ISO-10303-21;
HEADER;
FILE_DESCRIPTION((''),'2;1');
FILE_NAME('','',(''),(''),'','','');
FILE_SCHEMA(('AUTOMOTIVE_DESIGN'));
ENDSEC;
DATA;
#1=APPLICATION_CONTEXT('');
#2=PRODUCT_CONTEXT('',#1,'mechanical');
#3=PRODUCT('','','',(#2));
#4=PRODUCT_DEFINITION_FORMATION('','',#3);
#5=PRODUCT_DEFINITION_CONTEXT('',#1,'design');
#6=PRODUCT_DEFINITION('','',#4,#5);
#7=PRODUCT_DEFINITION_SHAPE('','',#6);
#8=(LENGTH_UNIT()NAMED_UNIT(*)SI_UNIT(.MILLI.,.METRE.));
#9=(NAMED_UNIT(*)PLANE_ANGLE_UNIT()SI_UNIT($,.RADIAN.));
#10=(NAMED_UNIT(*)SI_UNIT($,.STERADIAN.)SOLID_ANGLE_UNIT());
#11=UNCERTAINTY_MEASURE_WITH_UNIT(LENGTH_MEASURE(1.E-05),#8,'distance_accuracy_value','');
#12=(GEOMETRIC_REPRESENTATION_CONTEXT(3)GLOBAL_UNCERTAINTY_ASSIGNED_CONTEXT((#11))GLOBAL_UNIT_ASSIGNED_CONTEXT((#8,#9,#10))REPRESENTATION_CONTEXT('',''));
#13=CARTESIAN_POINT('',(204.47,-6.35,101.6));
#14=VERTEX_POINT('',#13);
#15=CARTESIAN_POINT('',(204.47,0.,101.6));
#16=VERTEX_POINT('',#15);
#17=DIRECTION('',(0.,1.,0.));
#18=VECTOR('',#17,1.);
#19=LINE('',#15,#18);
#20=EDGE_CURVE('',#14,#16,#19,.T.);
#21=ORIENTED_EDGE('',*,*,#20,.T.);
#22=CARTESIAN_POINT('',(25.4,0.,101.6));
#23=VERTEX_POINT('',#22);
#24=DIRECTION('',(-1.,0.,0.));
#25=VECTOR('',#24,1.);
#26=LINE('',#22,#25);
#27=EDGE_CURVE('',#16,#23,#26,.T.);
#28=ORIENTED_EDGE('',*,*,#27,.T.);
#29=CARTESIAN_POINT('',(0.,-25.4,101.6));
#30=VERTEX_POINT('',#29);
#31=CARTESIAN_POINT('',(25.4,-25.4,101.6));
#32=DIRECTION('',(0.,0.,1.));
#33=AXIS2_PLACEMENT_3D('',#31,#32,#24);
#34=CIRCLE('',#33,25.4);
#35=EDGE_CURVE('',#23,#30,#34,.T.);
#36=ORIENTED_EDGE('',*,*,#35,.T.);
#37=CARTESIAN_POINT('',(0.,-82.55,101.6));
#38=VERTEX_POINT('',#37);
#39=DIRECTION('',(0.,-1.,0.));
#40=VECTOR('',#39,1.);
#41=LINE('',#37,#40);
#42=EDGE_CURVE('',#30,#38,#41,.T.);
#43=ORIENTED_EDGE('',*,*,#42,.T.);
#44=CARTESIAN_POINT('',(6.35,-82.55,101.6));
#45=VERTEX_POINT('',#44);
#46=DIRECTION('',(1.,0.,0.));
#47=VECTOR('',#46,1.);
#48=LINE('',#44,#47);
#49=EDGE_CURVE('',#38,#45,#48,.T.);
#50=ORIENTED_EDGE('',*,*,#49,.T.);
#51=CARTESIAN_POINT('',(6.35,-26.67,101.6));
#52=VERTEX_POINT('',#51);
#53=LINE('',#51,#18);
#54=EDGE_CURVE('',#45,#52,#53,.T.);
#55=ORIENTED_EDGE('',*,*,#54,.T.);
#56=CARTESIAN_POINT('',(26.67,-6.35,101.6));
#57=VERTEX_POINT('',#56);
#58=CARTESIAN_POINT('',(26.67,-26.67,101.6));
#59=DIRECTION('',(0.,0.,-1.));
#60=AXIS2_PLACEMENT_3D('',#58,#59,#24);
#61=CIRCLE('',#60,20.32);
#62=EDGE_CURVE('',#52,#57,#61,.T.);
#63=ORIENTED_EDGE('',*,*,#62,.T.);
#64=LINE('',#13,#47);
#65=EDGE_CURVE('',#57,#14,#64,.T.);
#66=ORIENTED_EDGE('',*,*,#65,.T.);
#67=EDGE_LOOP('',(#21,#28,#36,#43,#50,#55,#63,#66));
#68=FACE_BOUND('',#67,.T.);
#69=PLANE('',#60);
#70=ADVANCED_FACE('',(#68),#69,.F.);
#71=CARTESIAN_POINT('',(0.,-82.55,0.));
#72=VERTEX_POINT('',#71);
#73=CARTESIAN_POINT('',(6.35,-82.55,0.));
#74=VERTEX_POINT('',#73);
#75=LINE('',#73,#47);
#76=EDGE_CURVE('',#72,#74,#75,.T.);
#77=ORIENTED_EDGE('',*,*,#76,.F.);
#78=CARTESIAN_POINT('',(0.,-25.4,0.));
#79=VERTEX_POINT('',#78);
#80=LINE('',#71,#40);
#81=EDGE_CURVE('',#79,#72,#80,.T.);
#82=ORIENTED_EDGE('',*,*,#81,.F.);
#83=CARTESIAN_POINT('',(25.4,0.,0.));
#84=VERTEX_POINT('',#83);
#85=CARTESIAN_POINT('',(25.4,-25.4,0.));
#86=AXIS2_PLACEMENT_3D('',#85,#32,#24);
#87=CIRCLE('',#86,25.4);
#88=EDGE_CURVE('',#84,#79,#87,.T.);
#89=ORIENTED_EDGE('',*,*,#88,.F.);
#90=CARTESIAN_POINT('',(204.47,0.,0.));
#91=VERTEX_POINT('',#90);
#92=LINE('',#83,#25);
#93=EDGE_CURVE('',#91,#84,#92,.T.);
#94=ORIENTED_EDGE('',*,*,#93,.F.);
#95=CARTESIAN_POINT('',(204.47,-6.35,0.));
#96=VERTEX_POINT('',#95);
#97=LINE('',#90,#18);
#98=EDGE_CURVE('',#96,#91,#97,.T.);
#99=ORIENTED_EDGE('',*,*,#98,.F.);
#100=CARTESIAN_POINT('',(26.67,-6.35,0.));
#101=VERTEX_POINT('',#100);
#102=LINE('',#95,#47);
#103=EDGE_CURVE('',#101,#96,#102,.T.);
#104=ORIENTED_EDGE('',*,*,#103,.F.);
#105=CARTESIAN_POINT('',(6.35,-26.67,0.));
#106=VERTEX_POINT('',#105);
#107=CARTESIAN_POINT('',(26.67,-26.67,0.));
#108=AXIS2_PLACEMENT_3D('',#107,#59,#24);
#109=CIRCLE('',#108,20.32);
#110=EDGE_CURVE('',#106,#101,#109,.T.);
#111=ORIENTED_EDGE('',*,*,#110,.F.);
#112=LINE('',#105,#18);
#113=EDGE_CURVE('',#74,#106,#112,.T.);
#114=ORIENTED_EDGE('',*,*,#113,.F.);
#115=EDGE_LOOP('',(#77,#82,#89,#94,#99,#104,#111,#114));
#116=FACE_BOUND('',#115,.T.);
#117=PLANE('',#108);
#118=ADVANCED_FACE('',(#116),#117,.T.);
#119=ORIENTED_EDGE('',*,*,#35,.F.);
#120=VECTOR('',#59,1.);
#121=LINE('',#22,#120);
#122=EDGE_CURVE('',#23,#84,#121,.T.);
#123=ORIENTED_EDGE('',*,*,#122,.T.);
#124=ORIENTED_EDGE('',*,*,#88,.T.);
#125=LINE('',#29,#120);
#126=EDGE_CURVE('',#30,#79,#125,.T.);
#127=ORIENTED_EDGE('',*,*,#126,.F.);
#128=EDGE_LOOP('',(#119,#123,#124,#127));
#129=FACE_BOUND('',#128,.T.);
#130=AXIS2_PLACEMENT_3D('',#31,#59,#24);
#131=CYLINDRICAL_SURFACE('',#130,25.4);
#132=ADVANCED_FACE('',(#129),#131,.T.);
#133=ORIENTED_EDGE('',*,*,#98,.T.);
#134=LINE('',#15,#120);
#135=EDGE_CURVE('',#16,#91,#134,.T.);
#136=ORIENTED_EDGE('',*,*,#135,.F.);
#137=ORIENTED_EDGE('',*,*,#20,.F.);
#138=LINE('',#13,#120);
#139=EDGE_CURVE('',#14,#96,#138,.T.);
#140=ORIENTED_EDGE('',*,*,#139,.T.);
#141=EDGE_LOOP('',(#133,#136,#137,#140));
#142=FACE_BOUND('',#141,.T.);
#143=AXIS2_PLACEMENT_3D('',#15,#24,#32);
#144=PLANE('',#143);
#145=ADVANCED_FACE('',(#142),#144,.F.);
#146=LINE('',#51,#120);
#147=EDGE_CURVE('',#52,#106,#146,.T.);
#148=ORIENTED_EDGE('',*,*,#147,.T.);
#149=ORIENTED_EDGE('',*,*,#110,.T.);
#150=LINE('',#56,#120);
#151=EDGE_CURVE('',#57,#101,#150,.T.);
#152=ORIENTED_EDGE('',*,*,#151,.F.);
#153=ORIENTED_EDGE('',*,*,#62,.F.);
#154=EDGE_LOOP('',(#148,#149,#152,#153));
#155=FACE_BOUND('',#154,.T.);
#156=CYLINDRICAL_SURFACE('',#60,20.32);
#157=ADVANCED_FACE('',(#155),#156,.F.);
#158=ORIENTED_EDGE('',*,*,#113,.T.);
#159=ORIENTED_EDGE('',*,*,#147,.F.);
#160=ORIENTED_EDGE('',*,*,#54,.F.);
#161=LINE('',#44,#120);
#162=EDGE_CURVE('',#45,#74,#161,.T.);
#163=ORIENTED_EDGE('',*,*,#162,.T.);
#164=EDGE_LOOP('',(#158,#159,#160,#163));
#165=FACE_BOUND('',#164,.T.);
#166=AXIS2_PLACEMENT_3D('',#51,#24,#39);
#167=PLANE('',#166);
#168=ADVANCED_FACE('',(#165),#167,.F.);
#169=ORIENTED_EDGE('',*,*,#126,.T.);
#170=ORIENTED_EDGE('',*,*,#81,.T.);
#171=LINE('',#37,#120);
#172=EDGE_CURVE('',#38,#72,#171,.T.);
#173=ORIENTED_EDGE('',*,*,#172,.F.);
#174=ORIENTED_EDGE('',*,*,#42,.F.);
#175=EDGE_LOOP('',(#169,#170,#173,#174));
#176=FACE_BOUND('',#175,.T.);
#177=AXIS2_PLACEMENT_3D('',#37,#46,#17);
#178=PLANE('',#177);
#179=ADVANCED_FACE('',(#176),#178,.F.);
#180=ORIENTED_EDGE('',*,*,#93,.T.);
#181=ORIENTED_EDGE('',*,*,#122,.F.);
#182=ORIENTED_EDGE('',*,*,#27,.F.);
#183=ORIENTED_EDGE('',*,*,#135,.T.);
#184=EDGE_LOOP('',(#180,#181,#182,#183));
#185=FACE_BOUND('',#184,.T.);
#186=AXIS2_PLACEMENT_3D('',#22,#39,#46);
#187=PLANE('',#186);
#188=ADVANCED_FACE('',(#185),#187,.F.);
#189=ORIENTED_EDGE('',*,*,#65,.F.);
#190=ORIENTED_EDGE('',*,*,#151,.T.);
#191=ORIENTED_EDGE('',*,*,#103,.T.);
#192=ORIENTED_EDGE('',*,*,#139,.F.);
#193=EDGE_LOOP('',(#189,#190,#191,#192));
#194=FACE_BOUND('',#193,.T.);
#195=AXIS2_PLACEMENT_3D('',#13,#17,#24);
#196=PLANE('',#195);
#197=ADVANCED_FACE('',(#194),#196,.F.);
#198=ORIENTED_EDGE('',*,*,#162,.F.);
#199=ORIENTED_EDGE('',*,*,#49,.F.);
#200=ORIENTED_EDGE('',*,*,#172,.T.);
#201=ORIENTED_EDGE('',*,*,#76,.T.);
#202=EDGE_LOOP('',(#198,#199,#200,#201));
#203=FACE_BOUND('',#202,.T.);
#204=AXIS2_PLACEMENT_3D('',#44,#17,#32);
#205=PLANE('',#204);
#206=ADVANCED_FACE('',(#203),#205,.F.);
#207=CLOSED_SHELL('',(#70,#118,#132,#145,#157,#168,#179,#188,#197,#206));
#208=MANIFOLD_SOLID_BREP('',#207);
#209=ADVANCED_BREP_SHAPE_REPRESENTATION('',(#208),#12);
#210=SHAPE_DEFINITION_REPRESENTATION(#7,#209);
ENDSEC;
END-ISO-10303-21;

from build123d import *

# Parameters (mm, degrees)
BOSS_EXTRUDE1_DEPTH = 101.6


with BuildPart() as part:
    # Sketch1 → Boss-Extrude1 (new body)
    with BuildSketch(Plane.XY):
        with BuildLine():
            Line((25.4, 0), (204.47, 0))
            Line((204.47, 0), (204.47, -6.35))
            Line((204.47, -6.35), (26.67, -6.35))
            ThreePointArc((26.67, -6.35), (12.301590206, -12.301590206), (6.35, -26.67))
            Line((6.35, -26.67), (6.35, -82.55))
            Line((6.35, -82.55), (0, -82.55))
            Line((0, -82.55), (0, -25.4))
            ThreePointArc((0, -25.4), (7.439487758, -7.439487758), (25.4, 0))
        make_face()
    extrude(amount=BOSS_EXTRUDE1_DEPTH)


solid = part.part
